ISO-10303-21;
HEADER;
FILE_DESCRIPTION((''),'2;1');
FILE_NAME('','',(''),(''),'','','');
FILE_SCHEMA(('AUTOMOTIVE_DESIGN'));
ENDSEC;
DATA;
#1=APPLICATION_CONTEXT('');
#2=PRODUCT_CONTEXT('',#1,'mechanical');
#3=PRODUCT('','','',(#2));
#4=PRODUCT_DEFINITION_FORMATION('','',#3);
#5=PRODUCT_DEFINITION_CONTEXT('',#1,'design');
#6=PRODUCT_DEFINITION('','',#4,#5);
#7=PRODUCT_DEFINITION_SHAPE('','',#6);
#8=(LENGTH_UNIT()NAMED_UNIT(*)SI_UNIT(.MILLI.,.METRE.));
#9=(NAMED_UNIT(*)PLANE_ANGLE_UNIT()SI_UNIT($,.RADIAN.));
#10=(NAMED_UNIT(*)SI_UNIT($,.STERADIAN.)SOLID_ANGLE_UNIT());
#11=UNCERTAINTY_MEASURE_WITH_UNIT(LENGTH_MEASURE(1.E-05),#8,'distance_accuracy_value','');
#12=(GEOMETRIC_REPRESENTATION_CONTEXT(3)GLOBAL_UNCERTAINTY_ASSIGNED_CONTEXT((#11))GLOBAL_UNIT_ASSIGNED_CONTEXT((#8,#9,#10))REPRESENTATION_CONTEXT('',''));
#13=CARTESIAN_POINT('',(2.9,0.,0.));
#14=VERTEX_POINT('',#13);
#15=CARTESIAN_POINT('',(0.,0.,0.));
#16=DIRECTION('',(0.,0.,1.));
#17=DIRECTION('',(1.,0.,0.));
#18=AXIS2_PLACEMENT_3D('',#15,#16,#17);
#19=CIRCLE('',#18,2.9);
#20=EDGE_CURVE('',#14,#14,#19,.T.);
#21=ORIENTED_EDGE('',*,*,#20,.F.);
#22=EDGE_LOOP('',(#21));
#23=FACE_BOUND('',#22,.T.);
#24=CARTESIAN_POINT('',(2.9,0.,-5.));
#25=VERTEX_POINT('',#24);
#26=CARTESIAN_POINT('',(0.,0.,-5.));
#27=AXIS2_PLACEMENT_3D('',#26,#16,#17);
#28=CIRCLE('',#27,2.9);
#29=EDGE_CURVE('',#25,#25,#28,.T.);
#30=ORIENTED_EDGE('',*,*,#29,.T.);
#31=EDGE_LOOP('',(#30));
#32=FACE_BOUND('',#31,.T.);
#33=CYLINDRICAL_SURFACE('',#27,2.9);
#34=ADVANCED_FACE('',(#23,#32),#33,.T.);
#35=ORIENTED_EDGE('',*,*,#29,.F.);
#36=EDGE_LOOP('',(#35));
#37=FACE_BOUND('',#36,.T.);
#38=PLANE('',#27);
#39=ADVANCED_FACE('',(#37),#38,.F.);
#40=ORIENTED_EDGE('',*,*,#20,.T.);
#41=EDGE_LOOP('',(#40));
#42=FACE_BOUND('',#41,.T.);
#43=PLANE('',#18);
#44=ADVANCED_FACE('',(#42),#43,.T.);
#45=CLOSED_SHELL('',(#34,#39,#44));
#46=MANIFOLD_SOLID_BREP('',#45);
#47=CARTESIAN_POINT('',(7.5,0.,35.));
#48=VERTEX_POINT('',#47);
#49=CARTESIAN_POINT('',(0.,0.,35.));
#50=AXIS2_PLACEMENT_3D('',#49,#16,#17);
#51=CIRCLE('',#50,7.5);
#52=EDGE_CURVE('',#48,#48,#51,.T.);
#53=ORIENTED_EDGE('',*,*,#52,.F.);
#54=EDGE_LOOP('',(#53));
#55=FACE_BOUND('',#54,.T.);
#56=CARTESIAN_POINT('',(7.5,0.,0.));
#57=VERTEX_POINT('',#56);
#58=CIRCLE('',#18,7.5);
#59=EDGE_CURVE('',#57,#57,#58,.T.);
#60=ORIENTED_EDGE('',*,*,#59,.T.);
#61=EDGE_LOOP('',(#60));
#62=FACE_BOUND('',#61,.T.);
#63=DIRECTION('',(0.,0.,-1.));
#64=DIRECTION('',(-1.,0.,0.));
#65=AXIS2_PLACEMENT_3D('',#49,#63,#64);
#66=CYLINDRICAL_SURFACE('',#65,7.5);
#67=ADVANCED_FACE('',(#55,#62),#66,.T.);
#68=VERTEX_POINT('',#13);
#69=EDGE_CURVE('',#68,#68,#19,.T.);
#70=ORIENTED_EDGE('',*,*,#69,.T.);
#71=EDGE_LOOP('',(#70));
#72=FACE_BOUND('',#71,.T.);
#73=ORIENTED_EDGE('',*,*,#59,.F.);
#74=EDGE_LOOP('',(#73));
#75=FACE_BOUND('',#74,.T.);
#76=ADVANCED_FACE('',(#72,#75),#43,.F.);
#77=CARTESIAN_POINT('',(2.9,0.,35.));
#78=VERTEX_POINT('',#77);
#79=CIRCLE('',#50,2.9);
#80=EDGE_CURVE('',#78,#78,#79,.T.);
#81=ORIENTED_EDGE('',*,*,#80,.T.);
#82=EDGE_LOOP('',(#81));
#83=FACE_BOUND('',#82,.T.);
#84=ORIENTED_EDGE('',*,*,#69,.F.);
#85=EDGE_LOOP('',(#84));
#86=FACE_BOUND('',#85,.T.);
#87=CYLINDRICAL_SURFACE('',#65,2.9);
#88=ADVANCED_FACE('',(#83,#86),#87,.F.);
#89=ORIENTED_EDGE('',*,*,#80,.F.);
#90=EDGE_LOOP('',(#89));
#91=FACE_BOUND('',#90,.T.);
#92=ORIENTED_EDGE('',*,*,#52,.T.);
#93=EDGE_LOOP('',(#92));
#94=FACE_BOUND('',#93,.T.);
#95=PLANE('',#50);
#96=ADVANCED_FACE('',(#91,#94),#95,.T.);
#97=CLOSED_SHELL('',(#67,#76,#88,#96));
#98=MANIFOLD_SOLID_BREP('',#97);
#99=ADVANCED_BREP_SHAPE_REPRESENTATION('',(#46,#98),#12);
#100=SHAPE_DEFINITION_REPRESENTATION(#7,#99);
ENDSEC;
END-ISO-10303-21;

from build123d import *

# Parameters (mm, degrees)
SKETCH1_R           = 7.5
SKETCH1_R_2         = 2.9
BOSS_EXTRUDE1_DEPTH = 35
BOSS_EXTRUDE2_START = -5
SKETCH1_3_R         = 2.9
BOSS_EXTRUDE2_DEPTH = 5


with BuildPart() as part:
    # Sketch1 → Boss-Extrude1 (new body)
    with BuildSketch(Plane.XY):
        Circle(SKETCH1_R)
        Circle(SKETCH1_R_2, mode=Mode.SUBTRACT)
    extrude(amount=BOSS_EXTRUDE1_DEPTH)


with BuildPart() as body_2:
    # Sketch1<3> → Boss-Extrude2 (new body)
    with BuildSketch(Plane.XY.offset(BOSS_EXTRUDE2_START)):
        Circle(SKETCH1_3_R)
    extrude(amount=BOSS_EXTRUDE2_DEPTH)


solid = Compound([part.part, body_2.part])
